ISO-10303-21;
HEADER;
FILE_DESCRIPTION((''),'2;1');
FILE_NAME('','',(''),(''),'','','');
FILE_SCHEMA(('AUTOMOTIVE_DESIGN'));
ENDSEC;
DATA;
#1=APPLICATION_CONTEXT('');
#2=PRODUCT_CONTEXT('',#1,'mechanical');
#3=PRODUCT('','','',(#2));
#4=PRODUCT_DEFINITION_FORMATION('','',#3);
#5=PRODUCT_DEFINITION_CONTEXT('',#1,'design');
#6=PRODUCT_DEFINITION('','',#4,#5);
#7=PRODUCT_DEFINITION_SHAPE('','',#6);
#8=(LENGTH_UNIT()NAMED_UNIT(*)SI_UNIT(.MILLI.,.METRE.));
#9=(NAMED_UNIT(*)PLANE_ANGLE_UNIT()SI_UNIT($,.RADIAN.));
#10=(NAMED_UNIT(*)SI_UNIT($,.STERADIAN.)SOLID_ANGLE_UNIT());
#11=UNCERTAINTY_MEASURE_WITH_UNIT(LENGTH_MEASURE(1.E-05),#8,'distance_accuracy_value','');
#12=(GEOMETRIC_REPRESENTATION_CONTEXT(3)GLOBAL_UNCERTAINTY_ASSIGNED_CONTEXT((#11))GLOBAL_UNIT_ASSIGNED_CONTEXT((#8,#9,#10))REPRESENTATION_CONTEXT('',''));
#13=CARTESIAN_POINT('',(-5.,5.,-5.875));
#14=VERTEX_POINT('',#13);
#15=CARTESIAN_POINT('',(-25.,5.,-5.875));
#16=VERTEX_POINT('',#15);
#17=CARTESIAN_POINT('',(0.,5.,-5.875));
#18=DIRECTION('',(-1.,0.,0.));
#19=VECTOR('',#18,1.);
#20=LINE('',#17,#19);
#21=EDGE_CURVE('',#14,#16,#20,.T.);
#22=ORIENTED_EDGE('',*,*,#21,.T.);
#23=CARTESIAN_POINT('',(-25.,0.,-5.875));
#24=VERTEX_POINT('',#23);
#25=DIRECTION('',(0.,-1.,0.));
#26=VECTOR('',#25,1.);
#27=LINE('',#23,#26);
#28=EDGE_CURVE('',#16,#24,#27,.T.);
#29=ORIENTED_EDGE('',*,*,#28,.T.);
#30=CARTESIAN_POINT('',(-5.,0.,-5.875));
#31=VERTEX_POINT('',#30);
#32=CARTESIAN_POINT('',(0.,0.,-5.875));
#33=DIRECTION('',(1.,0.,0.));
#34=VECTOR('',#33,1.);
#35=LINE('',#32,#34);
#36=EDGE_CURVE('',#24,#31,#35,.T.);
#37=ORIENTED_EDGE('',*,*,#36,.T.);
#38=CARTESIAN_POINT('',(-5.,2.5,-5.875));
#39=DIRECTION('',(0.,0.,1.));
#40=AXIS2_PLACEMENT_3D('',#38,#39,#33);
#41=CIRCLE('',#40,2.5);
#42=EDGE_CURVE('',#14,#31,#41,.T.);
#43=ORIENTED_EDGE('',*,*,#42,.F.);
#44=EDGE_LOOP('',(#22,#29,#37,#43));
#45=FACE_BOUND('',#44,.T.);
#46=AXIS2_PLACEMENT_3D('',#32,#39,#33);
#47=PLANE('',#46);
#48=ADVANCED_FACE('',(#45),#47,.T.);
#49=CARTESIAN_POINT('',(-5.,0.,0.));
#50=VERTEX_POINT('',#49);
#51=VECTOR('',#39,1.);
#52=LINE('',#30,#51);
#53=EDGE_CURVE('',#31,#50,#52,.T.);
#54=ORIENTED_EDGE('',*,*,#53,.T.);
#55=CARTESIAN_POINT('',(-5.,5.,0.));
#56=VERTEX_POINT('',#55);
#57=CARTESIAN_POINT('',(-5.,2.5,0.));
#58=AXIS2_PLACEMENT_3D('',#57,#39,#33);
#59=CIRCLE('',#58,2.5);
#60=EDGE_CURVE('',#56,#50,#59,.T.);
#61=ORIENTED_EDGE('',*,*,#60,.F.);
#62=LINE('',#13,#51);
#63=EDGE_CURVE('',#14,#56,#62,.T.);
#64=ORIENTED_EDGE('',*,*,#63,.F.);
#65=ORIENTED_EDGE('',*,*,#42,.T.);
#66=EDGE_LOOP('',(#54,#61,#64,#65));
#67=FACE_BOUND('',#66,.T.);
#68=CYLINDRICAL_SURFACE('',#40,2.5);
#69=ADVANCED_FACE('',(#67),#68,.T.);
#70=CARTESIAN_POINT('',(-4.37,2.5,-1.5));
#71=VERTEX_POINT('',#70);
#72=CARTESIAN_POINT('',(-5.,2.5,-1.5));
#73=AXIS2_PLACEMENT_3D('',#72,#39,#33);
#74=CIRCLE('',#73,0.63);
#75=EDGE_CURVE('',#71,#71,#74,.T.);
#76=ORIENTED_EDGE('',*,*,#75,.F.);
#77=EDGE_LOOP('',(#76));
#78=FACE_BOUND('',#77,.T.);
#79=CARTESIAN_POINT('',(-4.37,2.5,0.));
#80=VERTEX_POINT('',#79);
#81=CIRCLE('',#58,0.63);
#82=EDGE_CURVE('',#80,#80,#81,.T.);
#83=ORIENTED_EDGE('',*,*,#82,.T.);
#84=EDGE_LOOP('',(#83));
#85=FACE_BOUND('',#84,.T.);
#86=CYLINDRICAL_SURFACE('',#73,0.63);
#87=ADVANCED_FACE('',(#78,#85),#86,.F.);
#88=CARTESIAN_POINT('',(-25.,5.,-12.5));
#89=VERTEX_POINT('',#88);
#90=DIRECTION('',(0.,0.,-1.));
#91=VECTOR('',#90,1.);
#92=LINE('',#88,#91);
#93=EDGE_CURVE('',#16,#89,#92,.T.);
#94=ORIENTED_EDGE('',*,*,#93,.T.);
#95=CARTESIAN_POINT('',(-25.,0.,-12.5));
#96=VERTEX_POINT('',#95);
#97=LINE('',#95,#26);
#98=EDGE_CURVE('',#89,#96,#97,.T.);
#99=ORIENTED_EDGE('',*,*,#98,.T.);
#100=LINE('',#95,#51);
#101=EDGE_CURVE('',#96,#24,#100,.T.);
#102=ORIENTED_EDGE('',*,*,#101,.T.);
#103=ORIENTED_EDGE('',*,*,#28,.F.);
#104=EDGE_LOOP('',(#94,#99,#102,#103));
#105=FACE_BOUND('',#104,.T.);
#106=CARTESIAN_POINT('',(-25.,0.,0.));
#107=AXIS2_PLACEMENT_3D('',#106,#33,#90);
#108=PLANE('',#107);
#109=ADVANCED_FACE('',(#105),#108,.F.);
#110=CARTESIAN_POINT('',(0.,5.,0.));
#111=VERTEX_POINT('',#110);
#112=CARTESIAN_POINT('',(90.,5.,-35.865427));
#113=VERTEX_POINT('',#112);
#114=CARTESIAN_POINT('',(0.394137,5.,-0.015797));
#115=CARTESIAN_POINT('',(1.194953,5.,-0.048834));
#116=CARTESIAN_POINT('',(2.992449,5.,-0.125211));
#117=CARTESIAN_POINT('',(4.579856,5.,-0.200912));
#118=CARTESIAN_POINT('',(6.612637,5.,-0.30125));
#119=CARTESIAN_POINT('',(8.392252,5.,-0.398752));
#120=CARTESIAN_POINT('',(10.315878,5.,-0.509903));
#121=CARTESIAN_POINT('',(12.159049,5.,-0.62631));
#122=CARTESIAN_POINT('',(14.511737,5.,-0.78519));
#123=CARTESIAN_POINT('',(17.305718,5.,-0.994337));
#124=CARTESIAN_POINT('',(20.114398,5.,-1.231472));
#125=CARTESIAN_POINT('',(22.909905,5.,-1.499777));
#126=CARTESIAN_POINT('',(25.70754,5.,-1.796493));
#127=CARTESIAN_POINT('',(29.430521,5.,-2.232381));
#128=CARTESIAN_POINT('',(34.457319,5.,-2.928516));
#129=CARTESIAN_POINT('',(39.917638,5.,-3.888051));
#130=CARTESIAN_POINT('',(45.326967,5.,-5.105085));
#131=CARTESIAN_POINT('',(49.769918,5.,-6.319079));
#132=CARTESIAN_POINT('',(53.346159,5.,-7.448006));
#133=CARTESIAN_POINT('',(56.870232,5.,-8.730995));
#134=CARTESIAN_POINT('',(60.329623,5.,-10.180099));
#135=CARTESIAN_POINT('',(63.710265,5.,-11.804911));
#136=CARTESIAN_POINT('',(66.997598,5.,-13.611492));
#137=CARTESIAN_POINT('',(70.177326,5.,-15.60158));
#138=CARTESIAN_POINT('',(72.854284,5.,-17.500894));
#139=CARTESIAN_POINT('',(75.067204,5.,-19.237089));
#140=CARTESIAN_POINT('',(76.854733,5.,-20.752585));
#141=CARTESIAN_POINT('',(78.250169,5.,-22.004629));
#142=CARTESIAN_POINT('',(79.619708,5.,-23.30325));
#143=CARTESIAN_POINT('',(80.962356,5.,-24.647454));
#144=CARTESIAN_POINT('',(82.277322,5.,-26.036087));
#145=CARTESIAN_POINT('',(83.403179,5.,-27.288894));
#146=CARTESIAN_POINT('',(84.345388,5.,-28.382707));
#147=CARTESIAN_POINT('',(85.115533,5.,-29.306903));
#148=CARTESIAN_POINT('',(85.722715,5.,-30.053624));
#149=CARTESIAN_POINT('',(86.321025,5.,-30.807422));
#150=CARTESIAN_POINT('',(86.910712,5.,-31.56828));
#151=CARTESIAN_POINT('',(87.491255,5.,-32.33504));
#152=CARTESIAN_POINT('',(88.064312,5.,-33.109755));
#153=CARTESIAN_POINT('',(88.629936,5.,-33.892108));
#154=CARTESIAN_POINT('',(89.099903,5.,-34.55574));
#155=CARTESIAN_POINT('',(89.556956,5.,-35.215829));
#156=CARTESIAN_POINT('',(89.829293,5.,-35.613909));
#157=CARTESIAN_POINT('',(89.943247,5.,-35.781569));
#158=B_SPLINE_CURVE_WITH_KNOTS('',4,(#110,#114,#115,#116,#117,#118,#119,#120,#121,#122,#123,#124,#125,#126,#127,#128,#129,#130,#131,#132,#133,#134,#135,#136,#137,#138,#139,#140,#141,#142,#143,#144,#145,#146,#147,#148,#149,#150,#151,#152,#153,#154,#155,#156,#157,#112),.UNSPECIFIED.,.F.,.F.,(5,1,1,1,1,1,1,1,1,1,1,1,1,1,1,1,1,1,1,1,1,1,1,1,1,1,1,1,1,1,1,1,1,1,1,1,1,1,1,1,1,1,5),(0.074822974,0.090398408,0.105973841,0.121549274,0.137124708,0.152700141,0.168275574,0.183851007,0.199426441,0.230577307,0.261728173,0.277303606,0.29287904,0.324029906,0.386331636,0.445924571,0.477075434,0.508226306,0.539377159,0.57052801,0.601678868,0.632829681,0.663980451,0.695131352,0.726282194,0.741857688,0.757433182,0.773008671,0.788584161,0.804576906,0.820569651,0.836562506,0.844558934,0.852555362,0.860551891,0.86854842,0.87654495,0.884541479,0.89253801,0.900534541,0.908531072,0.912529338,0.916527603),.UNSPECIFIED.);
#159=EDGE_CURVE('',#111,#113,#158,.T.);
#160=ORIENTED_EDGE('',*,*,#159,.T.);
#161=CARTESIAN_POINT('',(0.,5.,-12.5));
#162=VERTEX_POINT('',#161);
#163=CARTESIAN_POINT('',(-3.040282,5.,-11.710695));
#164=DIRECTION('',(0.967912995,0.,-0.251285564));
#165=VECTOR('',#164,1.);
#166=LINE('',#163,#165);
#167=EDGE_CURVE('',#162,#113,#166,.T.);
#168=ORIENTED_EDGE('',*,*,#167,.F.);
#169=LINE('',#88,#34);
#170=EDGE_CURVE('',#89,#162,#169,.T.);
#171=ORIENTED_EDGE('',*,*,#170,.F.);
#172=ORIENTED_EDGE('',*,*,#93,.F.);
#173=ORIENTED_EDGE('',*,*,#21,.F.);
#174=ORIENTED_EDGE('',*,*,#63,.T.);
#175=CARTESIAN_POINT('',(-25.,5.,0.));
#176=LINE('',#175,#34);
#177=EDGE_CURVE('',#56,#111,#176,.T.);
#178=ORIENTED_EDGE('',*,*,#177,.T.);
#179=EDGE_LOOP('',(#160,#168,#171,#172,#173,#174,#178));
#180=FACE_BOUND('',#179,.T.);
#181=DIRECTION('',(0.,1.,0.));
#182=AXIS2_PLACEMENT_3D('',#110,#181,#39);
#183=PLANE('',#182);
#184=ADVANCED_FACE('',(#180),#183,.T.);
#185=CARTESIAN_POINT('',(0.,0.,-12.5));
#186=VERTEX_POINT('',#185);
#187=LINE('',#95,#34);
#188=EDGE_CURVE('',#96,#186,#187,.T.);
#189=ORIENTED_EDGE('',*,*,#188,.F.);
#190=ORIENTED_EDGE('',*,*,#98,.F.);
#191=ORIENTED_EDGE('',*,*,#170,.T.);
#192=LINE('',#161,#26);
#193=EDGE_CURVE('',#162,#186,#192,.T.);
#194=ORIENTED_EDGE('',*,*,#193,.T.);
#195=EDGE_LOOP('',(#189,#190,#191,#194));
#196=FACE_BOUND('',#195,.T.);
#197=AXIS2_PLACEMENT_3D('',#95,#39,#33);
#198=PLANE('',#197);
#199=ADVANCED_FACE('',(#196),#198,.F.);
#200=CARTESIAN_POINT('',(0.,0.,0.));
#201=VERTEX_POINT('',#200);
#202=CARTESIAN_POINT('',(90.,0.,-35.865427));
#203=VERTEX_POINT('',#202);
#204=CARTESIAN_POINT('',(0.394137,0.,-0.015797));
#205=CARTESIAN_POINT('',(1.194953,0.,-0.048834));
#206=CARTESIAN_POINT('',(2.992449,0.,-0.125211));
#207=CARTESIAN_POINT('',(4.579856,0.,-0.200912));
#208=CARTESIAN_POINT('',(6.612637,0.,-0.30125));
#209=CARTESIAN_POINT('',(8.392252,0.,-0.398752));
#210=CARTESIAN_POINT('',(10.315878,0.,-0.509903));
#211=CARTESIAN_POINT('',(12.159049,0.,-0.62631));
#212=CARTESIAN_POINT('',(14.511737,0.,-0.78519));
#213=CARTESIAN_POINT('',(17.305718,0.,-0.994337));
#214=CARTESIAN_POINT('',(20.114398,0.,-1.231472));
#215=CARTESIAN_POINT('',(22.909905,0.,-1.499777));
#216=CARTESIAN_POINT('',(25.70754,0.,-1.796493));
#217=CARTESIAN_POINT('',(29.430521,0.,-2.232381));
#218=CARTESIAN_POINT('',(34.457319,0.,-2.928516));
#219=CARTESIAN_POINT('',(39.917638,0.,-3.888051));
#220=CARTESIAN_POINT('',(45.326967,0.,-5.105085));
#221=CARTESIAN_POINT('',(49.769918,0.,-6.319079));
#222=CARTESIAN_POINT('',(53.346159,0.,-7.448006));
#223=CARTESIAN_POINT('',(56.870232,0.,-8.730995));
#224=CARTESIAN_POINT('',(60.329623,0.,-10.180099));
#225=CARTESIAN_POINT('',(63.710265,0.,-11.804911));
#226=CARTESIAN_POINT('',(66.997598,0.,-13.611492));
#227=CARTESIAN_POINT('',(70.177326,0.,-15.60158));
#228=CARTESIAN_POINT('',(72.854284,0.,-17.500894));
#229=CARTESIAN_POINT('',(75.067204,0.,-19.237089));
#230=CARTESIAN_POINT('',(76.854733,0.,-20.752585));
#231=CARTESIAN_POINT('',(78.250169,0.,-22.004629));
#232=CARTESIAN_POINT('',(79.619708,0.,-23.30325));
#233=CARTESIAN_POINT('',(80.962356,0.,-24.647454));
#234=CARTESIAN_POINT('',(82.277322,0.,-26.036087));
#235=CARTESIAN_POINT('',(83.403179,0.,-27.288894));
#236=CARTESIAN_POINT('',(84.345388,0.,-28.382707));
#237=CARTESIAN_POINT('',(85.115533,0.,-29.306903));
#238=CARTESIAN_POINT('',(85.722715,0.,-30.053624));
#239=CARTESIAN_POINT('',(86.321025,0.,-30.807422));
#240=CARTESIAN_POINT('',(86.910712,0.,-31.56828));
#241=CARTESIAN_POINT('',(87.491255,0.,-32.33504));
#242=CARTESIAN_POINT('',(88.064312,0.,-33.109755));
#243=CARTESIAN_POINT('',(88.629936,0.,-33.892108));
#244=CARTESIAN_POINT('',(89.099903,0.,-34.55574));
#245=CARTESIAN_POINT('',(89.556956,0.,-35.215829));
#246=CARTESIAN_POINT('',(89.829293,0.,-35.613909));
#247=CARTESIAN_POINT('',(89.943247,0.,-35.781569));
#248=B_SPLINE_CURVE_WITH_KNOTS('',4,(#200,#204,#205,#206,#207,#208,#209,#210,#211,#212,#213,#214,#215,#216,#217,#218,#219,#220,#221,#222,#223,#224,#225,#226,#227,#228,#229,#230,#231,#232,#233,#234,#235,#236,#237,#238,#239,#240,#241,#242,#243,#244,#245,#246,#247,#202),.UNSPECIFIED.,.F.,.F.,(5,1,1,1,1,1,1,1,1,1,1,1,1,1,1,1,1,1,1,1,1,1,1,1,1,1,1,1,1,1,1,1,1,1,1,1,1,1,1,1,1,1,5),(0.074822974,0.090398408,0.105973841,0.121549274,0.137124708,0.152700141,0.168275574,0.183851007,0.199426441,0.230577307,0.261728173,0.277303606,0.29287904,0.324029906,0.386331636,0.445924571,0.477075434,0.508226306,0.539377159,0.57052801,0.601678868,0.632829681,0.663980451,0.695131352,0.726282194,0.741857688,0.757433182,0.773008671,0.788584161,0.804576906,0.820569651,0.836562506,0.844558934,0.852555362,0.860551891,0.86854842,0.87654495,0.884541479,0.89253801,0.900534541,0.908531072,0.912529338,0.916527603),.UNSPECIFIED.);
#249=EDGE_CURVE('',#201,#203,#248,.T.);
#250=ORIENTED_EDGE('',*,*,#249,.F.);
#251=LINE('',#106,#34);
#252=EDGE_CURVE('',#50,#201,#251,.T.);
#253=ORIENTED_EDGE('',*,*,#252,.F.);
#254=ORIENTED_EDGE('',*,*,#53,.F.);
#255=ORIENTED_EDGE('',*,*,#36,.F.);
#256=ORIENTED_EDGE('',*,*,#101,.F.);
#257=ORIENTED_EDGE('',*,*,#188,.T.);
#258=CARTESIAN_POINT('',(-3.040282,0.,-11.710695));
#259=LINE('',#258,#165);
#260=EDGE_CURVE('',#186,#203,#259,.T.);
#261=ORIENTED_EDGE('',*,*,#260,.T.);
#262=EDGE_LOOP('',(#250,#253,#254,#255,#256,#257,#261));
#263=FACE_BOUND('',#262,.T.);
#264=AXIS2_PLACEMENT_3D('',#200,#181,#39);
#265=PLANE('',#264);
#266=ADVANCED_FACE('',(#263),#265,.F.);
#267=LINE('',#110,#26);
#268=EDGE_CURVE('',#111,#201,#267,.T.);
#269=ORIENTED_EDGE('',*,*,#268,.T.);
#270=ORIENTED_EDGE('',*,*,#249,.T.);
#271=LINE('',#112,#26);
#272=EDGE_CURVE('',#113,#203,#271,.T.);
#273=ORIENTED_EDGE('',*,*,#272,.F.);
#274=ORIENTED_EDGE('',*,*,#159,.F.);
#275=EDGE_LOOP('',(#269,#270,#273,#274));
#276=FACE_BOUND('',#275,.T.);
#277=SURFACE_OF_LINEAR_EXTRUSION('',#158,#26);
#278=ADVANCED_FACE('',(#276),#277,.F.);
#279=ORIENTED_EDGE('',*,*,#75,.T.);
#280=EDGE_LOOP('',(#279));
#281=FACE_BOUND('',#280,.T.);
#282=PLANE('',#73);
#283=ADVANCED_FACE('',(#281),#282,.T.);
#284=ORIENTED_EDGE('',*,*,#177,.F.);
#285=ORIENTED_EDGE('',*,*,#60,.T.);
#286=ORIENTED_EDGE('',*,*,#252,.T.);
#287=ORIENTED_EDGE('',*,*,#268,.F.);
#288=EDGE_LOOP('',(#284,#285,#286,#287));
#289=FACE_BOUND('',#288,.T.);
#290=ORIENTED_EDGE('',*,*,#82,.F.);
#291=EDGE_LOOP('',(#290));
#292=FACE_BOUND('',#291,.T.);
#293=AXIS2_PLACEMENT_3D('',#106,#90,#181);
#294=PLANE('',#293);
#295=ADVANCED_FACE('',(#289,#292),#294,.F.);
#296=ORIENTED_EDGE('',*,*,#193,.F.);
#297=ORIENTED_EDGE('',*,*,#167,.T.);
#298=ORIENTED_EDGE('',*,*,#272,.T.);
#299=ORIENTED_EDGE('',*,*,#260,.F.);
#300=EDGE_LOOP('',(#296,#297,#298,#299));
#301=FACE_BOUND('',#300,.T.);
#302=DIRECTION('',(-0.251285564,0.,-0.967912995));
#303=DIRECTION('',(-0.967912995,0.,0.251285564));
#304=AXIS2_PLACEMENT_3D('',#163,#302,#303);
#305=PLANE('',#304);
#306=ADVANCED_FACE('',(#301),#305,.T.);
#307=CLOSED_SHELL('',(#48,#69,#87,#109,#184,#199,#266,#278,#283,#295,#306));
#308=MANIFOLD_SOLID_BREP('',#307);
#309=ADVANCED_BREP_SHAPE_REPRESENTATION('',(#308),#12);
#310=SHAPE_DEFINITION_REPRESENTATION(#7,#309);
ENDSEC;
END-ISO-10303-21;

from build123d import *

# Parameters (mm, degrees)
SALIENTE_EXTRUIR1_DEPTH = 5
CROQUIS3_W              = 12.5
CROQUIS3_H              = 5
SALIENTE_EXTRUIR2_DEPTH = 25
CROQUIS6_R              = 0.63
CORTAR_EXTRUIR3_DEPTH   = 1.5
CORTAR_EXTRUIR4_DEPTH   = 5.875


with BuildPart() as part:
    # Croquis2 → Saliente-Extruir1 (new body)
    with BuildSketch(Plane(origin=(0, 0, 0), x_dir=(1, 0, 0), z_dir=(0, 1, 0))):
        with BuildLine():
            Line((0, 0), (0, 12.5))
            Line((0, 12.5), (90, 35.865427318))
            add(Edge.make_bspline(
                [(0, 0), (0.394136999, 0.015797336), (1.194952966, 0.048834045), (2.992448828, 0.125211317), (4.579856068, 0.200911656), (6.612637351, 0.301249971), (8.392251736, 0.398752477), (10.315878033, 0.509903005), (12.159048858, 0.626310038), (14.511736704, 0.785189542), (17.305717547, 0.994336582), (20.114398042, 1.2314722), (22.909905137, 1.499776667), (25.707540494, 1.796493489), (29.430521004, 2.232380684), (34.457318955, 2.928516321), (39.917638309, 3.8880509), (45.326966885, 5.105084916), (49.769918493, 6.319079443), (53.346159155, 7.448006204), (56.870231766, 8.730995456), (60.329622828, 10.180098556), (63.710264837, 11.804910517), (66.997597592, 13.611491814), (70.17732587, 15.601579919), (72.854283587, 17.500893709), (75.067204078, 19.237089159), (76.854732505, 20.752585132), (78.250168573, 22.004629224), (79.619707974, 23.303249768), (80.962355597, 24.647453618), (82.277321506, 26.036087115), (83.403178931, 27.288894321), (84.345387571, 28.382707102), (85.115533062, 29.306902867), (85.722715368, 30.053623655), (86.321025458, 30.807421985), (86.910712224, 31.56828047), (87.491255325, 32.335040025), (88.06431213, 33.109755161), (88.629936117, 33.892108149), (89.099903233, 34.555740193), (89.55695597, 35.215829282), (89.829292977, 35.613909175), (89.943246974, 35.781569234), (90, 35.865427318)],
                knots=[0.074822974, 0.074822974, 0.074822974, 0.074822974, 0.074822974, 0.090398408, 0.105973841, 0.121549274, 0.137124708, 0.152700141, 0.168275574, 0.183851007, 0.199426441, 0.230577307, 0.261728173, 0.277303606, 0.29287904, 0.324029906, 0.386331636, 0.445924571, 0.477075434, 0.508226306, 0.539377159, 0.57052801, 0.601678868, 0.632829681, 0.663980451, 0.695131352, 0.726282194, 0.741857688, 0.757433182, 0.773008671, 0.788584161, 0.804576906, 0.820569651, 0.836562506, 0.844558934, 0.852555362, 0.860551891, 0.86854842, 0.87654495, 0.884541479, 0.89253801, 0.900534541, 0.908531072, 0.912529338, 0.916527603, 0.916527603, 0.916527603, 0.916527603, 0.916527603], degree=4))
        make_face()
    extrude(amount=SALIENTE_EXTRUIR1_DEPTH)

    # Croquis3 → Saliente-Extruir2 (add)
    with BuildSketch(Plane.ZY):
        with Locations((-6.25, 2.5)):
            Rectangle(CROQUIS3_W, CROQUIS3_H)
    extrude(amount=SALIENTE_EXTRUIR2_DEPTH)

    # Croquis6 → Cortar-Extruir3 (cut)
    with BuildSketch(Plane.XY):
        with Locations((-5, 2.5)):
            Circle(CROQUIS6_R)
    extrude(amount=-CORTAR_EXTRUIR3_DEPTH, mode=Mode.SUBTRACT)

    # Croquis5 → Cortar-Extruir4 (cut)
    with BuildSketch(Plane.XY):
        with BuildLine():
            Line((-25, 5), (-25, 0))
            Line((-25, 0), (-4.999999991, 0))
            ThreePointArc((-4.999999991, 0), (-7.5, 2.499999995), (-5, 5))
            Line((-5, 5), (-25, 5))
        make_face()
    extrude(amount=-CORTAR_EXTRUIR4_DEPTH, mode=Mode.SUBTRACT)


solid = part.part
